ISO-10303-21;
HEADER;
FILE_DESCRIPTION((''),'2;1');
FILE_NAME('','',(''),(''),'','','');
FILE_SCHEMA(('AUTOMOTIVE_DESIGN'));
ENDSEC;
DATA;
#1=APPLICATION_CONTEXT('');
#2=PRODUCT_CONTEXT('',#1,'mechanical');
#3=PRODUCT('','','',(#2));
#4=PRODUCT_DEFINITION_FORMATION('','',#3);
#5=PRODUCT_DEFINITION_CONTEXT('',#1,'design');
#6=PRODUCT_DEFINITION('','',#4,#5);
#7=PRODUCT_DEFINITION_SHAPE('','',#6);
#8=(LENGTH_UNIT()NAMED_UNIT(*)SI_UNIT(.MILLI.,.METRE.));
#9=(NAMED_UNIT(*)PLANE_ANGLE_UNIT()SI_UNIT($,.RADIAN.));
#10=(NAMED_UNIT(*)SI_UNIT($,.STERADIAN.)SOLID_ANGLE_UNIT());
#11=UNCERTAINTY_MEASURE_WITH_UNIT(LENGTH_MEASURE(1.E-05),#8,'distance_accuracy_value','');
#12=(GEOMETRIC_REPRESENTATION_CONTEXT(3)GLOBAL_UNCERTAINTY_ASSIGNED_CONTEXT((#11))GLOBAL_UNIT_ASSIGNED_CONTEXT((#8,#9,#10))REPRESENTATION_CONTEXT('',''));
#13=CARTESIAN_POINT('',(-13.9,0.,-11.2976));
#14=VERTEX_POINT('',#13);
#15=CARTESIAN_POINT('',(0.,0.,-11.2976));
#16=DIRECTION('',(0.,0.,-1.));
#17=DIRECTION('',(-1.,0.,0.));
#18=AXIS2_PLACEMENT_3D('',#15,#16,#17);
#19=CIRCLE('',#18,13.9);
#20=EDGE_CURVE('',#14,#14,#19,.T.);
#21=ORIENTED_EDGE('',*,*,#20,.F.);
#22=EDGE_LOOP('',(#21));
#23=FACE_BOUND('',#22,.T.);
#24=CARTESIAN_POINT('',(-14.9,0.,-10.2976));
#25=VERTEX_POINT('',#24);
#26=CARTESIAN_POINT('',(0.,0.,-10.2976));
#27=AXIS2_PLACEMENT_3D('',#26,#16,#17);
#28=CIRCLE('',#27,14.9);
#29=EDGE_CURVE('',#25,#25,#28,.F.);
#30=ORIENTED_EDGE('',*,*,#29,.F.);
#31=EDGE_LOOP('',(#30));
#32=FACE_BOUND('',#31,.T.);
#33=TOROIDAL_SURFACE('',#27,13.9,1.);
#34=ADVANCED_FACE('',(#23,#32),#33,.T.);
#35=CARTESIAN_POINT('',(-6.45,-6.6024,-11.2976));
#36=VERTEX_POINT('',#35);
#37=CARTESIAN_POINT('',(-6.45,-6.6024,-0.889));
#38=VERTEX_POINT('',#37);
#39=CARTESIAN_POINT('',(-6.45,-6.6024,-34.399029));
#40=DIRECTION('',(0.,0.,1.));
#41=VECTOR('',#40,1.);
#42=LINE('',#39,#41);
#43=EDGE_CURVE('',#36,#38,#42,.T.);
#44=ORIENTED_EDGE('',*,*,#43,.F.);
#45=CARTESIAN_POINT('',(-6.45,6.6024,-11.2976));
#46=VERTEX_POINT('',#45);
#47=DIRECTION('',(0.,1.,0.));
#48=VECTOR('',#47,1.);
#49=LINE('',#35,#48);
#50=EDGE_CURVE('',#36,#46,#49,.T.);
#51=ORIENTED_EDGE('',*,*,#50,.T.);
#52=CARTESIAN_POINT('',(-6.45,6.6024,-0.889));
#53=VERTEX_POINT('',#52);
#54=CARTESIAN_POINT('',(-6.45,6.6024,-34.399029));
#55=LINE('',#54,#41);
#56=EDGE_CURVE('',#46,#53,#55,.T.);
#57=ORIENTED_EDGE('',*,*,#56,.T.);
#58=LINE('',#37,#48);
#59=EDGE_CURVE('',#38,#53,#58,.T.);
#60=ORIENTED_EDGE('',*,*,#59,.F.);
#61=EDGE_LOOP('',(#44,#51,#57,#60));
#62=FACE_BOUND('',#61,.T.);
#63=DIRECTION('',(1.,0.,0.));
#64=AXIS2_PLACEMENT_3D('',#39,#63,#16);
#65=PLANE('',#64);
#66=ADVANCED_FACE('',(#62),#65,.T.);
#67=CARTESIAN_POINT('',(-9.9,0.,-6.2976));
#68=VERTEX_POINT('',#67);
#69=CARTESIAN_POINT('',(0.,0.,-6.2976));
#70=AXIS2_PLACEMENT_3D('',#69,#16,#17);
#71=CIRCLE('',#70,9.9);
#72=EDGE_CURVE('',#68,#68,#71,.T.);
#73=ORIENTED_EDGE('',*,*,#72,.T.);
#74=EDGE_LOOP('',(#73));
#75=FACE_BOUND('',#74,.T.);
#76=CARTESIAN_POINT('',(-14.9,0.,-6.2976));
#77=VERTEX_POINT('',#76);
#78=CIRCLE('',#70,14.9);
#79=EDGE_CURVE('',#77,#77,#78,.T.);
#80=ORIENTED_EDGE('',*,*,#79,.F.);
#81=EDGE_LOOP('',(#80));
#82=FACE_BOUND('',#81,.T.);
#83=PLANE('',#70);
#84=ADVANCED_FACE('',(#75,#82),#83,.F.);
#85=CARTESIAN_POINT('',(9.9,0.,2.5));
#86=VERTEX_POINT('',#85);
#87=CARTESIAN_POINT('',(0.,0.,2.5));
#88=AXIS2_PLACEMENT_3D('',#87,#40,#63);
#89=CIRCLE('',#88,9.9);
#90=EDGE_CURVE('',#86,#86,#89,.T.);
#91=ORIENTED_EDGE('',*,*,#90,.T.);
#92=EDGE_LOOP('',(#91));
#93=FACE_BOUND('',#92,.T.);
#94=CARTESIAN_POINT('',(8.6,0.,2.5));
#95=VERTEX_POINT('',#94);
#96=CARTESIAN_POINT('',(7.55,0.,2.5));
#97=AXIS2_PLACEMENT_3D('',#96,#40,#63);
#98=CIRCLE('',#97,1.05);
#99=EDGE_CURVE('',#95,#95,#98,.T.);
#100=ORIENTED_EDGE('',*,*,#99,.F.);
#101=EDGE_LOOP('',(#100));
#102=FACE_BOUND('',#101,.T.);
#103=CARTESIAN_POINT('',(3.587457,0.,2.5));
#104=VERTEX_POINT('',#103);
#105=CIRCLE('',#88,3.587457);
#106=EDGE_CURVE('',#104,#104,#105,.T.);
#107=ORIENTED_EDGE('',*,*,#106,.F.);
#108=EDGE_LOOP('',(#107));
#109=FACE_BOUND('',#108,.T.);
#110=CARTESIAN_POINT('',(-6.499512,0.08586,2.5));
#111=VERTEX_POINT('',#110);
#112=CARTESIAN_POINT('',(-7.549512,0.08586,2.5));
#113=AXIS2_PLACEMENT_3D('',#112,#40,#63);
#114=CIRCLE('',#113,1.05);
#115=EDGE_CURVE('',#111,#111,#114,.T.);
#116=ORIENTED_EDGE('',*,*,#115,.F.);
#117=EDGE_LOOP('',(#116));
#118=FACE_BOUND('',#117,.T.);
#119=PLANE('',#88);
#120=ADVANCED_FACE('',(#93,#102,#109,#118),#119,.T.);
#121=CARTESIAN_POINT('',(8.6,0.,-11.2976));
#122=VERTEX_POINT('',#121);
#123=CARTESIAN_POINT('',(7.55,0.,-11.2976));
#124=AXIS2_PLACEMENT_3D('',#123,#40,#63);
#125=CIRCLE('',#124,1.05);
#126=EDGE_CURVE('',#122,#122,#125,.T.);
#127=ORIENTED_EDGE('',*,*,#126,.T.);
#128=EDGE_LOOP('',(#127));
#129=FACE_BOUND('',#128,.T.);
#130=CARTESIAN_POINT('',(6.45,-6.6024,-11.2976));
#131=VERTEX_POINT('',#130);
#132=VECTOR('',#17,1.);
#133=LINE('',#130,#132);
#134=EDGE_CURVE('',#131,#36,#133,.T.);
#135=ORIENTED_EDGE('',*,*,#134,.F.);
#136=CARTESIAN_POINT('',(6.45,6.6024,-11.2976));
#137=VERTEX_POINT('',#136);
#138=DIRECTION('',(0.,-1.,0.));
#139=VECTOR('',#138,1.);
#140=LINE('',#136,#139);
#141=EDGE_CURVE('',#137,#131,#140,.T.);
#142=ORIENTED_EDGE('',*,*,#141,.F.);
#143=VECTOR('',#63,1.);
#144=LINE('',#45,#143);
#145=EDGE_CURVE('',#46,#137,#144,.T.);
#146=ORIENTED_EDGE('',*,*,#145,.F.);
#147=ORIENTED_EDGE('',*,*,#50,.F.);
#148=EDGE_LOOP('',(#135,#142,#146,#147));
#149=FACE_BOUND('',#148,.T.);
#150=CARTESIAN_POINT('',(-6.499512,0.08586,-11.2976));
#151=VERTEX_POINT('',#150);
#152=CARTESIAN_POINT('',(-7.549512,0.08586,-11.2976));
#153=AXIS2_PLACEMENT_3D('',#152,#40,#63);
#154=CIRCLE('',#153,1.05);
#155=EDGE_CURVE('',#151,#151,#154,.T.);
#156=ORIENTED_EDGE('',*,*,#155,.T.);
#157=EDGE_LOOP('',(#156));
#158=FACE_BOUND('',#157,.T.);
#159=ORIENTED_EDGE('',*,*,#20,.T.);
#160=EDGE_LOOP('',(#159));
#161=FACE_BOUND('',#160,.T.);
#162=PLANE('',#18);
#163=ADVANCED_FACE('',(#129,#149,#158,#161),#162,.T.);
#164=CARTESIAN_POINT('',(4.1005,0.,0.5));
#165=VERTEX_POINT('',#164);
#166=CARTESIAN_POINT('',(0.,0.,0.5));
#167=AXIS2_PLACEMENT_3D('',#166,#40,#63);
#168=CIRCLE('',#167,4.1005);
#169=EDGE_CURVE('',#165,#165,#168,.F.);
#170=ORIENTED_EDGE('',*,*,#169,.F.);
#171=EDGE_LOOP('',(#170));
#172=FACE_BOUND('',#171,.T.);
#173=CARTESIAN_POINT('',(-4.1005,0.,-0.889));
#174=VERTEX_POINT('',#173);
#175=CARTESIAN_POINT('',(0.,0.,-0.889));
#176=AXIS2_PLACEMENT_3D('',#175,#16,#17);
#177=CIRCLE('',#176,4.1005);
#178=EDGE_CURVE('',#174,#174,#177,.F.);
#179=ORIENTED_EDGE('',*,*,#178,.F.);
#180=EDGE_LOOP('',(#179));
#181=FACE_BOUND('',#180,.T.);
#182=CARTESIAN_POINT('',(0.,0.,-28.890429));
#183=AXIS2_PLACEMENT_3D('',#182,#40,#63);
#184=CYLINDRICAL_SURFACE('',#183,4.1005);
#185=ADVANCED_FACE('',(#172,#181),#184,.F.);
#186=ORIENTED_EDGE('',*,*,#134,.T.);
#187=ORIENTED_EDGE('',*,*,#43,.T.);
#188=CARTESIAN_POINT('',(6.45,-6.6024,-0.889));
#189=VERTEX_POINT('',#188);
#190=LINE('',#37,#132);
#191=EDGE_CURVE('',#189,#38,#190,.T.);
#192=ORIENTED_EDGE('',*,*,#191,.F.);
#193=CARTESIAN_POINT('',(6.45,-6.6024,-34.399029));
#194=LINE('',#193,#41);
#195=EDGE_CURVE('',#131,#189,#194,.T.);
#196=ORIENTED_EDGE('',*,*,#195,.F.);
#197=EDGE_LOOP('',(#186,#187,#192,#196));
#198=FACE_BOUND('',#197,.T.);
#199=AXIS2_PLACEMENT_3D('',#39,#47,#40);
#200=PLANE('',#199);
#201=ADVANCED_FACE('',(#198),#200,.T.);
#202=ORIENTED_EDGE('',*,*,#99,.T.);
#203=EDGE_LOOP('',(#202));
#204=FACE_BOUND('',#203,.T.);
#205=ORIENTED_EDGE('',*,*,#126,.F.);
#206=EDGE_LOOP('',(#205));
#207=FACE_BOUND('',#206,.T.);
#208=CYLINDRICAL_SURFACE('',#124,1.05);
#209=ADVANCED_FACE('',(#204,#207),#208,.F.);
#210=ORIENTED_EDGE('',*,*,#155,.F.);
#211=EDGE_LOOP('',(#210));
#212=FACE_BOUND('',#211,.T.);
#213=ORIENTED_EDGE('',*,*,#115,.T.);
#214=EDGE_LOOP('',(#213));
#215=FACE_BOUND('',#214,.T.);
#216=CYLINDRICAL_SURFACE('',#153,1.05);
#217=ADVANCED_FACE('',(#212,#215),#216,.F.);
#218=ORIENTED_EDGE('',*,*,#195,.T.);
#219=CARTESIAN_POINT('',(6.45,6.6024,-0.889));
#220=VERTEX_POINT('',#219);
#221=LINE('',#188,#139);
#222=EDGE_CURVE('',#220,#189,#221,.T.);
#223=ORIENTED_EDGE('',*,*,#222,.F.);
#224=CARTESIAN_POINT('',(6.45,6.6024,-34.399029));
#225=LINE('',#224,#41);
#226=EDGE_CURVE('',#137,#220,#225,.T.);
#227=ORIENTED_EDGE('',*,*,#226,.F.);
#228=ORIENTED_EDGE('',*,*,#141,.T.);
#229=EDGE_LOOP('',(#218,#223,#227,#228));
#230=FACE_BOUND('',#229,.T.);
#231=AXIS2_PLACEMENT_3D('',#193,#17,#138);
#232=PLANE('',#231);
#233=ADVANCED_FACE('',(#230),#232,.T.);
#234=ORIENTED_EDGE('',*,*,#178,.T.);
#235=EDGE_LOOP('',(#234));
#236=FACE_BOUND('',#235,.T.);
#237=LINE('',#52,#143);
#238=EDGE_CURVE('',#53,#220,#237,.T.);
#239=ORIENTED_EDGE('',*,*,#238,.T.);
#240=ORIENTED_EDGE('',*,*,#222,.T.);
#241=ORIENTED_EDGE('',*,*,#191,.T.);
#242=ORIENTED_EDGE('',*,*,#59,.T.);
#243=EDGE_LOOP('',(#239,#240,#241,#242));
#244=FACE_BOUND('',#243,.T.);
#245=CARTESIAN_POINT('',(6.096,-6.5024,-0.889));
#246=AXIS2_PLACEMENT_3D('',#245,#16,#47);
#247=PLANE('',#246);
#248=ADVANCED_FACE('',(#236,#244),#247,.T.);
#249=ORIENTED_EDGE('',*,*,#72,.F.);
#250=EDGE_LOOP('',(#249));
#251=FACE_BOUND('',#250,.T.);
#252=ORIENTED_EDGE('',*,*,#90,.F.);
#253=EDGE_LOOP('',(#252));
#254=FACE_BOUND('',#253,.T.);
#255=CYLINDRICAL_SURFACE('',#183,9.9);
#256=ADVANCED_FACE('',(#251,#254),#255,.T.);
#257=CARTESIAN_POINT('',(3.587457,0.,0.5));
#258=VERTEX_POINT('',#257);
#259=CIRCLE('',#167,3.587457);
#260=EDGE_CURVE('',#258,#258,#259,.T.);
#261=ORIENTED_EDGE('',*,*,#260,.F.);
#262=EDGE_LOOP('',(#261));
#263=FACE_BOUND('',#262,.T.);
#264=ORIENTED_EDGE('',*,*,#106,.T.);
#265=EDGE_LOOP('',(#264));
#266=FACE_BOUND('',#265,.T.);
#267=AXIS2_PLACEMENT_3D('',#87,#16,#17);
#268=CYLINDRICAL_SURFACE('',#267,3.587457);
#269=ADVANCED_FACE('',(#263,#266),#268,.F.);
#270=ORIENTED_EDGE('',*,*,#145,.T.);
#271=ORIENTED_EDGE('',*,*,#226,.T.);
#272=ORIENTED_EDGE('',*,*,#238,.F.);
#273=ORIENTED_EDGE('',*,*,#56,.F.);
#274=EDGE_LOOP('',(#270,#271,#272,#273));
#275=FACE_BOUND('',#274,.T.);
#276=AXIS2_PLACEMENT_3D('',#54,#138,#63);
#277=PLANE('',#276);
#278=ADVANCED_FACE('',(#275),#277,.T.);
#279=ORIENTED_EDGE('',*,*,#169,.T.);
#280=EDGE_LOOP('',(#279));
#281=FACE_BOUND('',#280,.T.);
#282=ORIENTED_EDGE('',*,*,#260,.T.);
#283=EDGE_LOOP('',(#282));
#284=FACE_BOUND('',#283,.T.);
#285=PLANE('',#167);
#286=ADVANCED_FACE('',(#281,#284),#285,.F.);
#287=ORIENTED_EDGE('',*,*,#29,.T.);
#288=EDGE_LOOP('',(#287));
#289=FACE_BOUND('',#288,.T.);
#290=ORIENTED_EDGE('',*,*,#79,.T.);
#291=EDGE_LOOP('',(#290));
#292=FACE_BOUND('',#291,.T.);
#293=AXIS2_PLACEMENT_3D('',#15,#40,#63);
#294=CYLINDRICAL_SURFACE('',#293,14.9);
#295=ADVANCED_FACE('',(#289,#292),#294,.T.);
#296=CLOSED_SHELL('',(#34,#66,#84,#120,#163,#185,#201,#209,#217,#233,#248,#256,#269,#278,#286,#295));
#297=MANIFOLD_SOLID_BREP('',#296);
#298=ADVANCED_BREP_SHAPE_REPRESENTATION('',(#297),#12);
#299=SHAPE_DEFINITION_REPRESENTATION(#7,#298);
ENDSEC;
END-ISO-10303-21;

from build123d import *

# Parameters (mm, degrees)
SKETCH1_R               = 9.9
SKETCH1_R_2             = 4.1005
BOSS_EXTRUDE1_DEPTH     = 0.889
SKETCH2_R               = 9.9
SKETCH2_W               = 12.9
SKETCH2_H               = 13.2048
BOSS_EXTRUDE2_DEPTH     = 5.4086
SKETCH3_R               = 14.9
SKETCH3_W               = 12.9
SKETCH3_H               = 13.2048
BOSS_EXTRUDE3_DEPTH     = 5
CUT_EXTRUDE6_DEPTH      = 24.909323825
CUT_EXTRUDE6_DEPTH_BACK = 24.909323825
SKETCH4_R               = 1.05
BOSS_EXTRUDE4_START     = 0.5
SKETCH5_R               = 9.9
SKETCH5_R_2             = 4.1005
BOSS_EXTRUDE4_DEPTH     = 0.5
BOSS_EXTRUDE5_START     = 2
SKETCH6_R               = 9.9
SKETCH6_R_2             = 3.587456629
BOSS_EXTRUDE5_DEPTH     = 2
FILLET1_R               = 1
CUT_EXTRUDE7_DEPTH      = 26.187174628
CUT_EXTRUDE7_DEPTH_BACK = 26.187174628
SKETCH7_R               = 1.05


with BuildPart() as part:
    # Sketch1 → Boss-Extrude1 (new body)
    with BuildSketch(Plane.XY):
        Circle(SKETCH1_R)
        Circle(SKETCH1_R_2, mode=Mode.SUBTRACT)
    extrude(amount=-BOSS_EXTRUDE1_DEPTH)

    # Sketch2 → Boss-Extrude2 (add)
    with BuildSketch(Plane(origin=(0, 0, -0.889), x_dir=(-1, 0, 0), z_dir=(0, 0, -1))):
        with Locations(Location((0, 0, 0), (0, 0, 180))):
            Circle(SKETCH2_R)
        Rectangle(SKETCH2_W, SKETCH2_H, mode=Mode.SUBTRACT)
    extrude(amount=BOSS_EXTRUDE2_DEPTH)

    # Sketch3 → Boss-Extrude3 (add)
    with BuildSketch(Plane(origin=(0, 0, -6.2976), x_dir=(-1, 0, 0), z_dir=(0, 0, -1))):
        Circle(SKETCH3_R)
        Rectangle(SKETCH3_W, SKETCH3_H, mode=Mode.SUBTRACT)
    extrude(amount=BOSS_EXTRUDE3_DEPTH)

    # Sketch4 → Cut-Extrude6 (cut, two sides: drawn at the far end of the back side and taken through both)
    with BuildSketch(Plane.XY.offset(-CUT_EXTRUDE6_DEPTH_BACK)):
        with Locations((-7.549511775, 0.085860102)):
            Circle(SKETCH4_R)
        with Locations((7.55, 0)):
            Circle(SKETCH4_R)
    extrude(amount=CUT_EXTRUDE6_DEPTH + CUT_EXTRUDE6_DEPTH_BACK, mode=Mode.SUBTRACT)

    # Sketch5 → Boss-Extrude4 (add)
    with BuildSketch(Plane.XY.offset(BOSS_EXTRUDE4_START)):
        Circle(SKETCH5_R)
        Circle(SKETCH5_R_2, mode=Mode.SUBTRACT)
    extrude(amount=-BOSS_EXTRUDE4_DEPTH)

    # Sketch6 → Boss-Extrude5 (add)
    with BuildSketch(Plane.XY.offset(0.5).offset(BOSS_EXTRUDE5_START)):
        Circle(SKETCH6_R)
        Circle(SKETCH6_R_2, mode=Mode.SUBTRACT)
    extrude(amount=-BOSS_EXTRUDE5_DEPTH)

    # Fillet1
    fillet1_edges = [part.edges().sort_by_distance(p)[0] for p in [
        (14.9, 0, -11.2976),
    ]]
    fillet(fillet1_edges, radius=FILLET1_R)

    # Sketch7 → Cut-Extrude7 (cut, two sides: drawn at the far end of the back side and taken through both)
    with BuildSketch(Plane.XY.offset(2.5).offset(-CUT_EXTRUDE7_DEPTH_BACK)):
        with Locations((7.55, 0)):
            Circle(SKETCH7_R)
        with Locations((-7.549511775, 0.085860102)):
            Circle(SKETCH7_R)
    extrude(amount=CUT_EXTRUDE7_DEPTH + CUT_EXTRUDE7_DEPTH_BACK, mode=Mode.SUBTRACT)


solid = part.part
